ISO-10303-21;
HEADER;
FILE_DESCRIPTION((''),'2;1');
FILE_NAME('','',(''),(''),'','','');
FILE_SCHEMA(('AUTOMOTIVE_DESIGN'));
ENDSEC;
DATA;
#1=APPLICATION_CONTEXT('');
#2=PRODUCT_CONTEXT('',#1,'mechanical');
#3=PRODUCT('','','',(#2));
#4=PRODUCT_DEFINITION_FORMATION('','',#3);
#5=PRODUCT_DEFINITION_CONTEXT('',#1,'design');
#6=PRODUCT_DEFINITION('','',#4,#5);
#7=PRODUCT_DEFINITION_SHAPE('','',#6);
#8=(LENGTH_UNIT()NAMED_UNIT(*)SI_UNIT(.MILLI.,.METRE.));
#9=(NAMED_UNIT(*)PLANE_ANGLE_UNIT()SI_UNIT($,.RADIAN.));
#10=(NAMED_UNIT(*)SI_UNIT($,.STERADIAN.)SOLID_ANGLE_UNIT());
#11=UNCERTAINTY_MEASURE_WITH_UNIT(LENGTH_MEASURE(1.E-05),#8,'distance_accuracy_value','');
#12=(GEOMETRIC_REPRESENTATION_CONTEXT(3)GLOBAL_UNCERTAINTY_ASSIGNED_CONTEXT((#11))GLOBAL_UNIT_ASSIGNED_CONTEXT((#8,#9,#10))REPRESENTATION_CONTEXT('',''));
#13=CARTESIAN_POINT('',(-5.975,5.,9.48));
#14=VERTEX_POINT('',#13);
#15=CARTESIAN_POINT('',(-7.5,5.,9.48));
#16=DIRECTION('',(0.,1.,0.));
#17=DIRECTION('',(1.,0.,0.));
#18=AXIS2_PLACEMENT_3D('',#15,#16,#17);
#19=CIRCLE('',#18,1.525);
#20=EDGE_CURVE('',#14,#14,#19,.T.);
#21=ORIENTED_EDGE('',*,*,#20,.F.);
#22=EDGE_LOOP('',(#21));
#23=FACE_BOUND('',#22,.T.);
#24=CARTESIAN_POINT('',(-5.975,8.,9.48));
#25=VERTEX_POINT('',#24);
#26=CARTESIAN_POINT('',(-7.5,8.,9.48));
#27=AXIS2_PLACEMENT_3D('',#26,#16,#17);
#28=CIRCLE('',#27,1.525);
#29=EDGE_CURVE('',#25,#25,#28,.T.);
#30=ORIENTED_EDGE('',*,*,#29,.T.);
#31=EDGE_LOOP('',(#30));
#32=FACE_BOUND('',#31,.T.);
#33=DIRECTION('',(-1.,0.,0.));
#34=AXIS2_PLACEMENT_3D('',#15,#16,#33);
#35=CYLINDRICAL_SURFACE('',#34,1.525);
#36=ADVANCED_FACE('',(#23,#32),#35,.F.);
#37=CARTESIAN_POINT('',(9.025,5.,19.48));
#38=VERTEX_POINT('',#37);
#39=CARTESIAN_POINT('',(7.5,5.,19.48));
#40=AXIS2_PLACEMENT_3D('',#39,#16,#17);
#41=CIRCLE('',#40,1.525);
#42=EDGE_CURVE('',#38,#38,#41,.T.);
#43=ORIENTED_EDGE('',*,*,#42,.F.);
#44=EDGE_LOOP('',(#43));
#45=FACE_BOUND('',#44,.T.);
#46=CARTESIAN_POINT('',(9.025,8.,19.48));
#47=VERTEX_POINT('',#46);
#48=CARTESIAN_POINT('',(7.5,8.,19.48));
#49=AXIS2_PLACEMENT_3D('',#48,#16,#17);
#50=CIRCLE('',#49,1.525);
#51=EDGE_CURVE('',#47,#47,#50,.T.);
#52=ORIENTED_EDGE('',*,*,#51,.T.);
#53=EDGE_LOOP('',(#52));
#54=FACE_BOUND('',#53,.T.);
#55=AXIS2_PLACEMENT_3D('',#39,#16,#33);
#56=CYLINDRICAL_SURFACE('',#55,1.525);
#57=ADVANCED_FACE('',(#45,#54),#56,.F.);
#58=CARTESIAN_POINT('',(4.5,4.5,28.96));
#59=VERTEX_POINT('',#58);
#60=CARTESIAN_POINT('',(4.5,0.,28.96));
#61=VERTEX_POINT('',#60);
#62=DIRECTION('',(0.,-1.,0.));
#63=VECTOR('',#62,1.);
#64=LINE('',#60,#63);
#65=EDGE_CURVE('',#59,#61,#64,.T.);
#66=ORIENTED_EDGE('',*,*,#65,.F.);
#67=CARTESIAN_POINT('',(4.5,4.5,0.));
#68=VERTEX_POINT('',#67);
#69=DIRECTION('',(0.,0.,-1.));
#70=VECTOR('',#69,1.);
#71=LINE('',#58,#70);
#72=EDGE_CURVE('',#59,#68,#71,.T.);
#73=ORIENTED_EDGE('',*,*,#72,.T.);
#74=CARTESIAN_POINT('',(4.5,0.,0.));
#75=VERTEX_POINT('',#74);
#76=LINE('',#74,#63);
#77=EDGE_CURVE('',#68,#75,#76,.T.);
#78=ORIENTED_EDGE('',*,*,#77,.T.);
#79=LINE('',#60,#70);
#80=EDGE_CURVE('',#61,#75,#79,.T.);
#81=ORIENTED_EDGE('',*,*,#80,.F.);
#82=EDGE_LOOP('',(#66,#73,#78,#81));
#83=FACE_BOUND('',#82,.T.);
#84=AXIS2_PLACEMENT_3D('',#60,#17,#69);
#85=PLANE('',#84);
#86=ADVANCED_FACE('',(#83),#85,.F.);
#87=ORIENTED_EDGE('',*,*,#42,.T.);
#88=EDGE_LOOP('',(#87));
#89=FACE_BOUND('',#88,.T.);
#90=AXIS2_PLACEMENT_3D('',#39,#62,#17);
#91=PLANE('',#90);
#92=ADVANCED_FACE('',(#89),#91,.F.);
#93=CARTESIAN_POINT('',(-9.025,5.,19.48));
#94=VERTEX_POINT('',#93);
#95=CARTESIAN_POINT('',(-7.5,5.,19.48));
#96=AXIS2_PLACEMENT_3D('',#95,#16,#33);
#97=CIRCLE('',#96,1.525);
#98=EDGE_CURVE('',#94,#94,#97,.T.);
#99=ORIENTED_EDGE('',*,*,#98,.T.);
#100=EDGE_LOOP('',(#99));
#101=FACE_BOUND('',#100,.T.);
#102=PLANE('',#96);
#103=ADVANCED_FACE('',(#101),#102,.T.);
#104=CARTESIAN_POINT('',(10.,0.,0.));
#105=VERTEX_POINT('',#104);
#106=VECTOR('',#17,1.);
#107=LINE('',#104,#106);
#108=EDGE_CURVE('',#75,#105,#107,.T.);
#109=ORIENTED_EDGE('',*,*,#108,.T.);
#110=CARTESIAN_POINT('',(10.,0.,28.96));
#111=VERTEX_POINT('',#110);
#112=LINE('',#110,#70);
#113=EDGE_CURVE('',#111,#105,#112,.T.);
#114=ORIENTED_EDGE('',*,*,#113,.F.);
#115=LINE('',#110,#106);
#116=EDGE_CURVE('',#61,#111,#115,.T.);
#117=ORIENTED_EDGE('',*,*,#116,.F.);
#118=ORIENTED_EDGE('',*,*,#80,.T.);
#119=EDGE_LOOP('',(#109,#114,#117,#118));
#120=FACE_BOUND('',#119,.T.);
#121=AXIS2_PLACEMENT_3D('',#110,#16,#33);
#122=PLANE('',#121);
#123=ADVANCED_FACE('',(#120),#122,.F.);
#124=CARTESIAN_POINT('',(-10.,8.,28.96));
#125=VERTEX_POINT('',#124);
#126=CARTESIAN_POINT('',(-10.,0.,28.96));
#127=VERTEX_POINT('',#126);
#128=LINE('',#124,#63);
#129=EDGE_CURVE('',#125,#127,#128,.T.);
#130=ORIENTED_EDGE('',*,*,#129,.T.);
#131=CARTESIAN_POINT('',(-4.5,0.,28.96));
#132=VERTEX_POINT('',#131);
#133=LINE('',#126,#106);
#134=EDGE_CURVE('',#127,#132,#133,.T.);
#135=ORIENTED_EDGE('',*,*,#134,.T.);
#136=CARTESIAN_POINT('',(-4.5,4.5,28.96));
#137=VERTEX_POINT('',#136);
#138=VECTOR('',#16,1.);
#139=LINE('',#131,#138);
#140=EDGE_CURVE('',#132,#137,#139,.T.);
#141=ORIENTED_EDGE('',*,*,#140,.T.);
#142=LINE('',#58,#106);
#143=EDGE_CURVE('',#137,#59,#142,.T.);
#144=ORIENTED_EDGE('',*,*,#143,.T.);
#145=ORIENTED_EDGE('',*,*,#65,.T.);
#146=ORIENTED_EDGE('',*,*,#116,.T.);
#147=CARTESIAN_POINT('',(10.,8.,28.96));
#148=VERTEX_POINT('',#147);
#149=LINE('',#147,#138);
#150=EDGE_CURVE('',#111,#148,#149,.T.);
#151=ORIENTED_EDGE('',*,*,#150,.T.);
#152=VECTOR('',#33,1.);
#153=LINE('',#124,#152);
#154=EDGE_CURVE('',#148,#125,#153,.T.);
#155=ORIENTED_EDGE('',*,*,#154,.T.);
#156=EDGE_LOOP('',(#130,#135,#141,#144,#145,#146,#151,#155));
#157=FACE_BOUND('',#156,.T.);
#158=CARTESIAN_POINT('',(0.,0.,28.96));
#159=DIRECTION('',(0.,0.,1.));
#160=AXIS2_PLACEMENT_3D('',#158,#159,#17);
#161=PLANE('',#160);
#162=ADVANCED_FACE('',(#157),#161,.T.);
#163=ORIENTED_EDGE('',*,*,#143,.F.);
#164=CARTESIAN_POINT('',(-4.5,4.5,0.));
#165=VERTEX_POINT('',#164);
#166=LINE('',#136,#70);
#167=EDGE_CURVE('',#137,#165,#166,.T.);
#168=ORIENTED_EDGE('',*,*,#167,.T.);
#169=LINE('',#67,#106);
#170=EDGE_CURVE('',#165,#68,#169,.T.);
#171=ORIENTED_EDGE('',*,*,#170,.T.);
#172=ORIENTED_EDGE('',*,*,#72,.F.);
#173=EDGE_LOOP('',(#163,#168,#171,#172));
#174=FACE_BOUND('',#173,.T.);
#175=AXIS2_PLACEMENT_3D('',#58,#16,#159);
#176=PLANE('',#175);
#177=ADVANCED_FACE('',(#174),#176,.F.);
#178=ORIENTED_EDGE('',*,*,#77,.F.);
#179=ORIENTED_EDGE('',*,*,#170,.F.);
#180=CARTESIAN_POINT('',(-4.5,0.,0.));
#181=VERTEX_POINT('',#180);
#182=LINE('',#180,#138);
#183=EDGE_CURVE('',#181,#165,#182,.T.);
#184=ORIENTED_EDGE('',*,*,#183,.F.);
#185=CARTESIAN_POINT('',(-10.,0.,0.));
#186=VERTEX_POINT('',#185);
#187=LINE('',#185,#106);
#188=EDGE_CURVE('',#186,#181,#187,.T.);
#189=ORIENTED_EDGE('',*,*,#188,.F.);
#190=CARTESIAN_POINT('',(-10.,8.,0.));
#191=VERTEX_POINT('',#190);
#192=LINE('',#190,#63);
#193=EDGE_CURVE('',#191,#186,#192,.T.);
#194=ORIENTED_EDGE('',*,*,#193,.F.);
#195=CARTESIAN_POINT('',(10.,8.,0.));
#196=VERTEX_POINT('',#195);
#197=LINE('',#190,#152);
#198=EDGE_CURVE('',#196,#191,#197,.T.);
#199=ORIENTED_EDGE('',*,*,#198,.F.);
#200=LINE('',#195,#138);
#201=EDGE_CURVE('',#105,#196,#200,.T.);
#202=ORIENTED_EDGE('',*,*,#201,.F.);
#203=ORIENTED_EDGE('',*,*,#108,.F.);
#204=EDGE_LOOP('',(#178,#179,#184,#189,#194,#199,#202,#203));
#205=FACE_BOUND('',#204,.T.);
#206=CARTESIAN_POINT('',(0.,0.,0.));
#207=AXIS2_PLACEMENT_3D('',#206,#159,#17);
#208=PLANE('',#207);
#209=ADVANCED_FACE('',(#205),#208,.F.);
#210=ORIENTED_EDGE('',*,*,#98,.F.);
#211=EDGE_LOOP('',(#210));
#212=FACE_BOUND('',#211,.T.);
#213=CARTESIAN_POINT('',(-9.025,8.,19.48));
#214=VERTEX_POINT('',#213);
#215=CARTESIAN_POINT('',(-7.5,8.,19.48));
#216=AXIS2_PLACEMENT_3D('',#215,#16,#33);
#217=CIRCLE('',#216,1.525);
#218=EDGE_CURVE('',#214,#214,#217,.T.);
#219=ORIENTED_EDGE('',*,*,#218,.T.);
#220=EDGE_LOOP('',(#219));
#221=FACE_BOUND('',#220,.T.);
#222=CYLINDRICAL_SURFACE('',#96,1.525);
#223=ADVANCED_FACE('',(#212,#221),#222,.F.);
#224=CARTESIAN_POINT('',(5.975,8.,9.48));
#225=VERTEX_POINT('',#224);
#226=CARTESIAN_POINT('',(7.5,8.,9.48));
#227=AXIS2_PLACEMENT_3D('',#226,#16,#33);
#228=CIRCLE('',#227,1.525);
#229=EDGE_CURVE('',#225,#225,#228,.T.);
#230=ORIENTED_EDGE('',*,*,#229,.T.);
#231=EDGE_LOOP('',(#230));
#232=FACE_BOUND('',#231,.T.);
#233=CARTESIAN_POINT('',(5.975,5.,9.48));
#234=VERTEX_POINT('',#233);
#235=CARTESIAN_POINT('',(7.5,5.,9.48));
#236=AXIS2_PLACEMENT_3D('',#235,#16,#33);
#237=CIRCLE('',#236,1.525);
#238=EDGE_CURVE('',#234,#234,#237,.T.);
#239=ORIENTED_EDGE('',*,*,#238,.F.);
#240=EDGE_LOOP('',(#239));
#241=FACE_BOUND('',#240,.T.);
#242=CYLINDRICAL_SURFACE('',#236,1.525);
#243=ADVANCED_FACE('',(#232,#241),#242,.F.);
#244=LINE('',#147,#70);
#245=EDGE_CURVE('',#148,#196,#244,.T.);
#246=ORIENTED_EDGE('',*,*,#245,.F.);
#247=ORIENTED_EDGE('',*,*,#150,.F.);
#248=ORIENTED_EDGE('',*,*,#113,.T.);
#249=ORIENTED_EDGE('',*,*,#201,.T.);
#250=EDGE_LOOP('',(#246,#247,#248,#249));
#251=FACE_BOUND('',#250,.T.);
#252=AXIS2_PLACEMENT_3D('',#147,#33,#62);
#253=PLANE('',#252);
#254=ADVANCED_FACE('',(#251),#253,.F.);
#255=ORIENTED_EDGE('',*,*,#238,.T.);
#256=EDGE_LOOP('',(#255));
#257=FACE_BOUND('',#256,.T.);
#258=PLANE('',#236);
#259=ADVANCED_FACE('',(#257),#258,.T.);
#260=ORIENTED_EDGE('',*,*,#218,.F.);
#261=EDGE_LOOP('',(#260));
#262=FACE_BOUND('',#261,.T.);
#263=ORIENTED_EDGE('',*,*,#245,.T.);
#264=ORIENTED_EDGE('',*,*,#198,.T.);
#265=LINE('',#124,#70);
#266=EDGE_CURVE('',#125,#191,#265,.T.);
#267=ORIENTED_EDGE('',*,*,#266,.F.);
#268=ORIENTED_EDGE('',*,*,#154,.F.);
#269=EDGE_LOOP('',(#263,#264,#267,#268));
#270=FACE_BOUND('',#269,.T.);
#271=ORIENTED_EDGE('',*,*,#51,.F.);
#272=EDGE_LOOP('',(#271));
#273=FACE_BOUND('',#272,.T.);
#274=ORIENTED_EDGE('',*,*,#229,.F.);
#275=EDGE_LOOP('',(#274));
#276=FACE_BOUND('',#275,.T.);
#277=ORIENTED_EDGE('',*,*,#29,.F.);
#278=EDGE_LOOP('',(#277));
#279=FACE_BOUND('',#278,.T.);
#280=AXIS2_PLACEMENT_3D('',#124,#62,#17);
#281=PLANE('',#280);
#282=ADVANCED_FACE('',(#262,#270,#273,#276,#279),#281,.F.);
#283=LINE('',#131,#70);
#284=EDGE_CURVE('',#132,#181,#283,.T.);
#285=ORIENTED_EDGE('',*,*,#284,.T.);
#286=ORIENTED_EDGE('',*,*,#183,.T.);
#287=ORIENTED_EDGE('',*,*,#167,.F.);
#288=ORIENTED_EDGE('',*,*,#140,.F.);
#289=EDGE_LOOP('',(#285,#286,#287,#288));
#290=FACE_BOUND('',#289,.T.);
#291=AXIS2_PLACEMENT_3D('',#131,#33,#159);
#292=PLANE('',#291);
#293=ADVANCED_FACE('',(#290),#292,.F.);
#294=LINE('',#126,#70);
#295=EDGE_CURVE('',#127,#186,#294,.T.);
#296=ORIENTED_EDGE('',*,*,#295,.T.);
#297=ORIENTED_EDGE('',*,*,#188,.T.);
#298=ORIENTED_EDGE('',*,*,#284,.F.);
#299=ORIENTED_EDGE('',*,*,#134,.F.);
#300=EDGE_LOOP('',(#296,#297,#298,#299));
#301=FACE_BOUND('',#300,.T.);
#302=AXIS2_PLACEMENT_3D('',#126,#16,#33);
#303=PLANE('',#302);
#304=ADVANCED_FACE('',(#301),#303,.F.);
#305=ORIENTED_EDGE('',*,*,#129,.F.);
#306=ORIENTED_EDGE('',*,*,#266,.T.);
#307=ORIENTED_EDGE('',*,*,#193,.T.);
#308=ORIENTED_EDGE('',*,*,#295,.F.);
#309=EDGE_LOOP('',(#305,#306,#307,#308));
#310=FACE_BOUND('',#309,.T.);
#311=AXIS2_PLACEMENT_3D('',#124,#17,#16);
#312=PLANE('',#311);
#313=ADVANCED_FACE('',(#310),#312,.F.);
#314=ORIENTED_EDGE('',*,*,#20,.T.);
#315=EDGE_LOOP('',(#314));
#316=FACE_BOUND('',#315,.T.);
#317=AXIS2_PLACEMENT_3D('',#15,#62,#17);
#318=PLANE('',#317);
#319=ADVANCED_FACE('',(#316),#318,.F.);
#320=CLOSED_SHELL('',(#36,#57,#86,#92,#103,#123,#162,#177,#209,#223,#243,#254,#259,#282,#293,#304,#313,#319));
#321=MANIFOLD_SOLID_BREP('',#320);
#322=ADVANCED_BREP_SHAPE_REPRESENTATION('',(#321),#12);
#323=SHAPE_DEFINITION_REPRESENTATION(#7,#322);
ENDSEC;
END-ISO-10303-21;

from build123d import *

# Parameters (mm, degrees)
EXTRUDE_1_DEPTH     = 28.96
SKETCH_2_R          = 1.525
CUT_EXTRUDE_1_DEPTH = 3


with BuildPart() as part:
    # 草图1 → 凸台-拉伸1 (new body)
    with BuildSketch(Plane.XY):
        Polygon((-10, 8), (10, 8), (10, 0), (4.5, 0), (4.5, 4.5), (-4.5, 4.5), (-4.5, 0), (-10, 0), align=None)
    extrude(amount=EXTRUDE_1_DEPTH)

    # 草图2 → 切除-拉伸1 (cut)
    with BuildSketch(Plane(origin=(0, 8, 0), x_dir=(1, 0, 0), z_dir=(0, 1, 0))):
        with Locations(Location((7.5, -9.48, 0), (0, 0, 180))):
            Circle(SKETCH_2_R)
        with Locations((7.5, -19.48)):
            Circle(SKETCH_2_R)
        with Locations(Location((-7.5, -19.48, 0), (0, 0, 180))):
            Circle(SKETCH_2_R)
        with Locations((-7.5, -9.48)):
            Circle(SKETCH_2_R)
    extrude(amount=-CUT_EXTRUDE_1_DEPTH, mode=Mode.SUBTRACT)


solid = part.part
